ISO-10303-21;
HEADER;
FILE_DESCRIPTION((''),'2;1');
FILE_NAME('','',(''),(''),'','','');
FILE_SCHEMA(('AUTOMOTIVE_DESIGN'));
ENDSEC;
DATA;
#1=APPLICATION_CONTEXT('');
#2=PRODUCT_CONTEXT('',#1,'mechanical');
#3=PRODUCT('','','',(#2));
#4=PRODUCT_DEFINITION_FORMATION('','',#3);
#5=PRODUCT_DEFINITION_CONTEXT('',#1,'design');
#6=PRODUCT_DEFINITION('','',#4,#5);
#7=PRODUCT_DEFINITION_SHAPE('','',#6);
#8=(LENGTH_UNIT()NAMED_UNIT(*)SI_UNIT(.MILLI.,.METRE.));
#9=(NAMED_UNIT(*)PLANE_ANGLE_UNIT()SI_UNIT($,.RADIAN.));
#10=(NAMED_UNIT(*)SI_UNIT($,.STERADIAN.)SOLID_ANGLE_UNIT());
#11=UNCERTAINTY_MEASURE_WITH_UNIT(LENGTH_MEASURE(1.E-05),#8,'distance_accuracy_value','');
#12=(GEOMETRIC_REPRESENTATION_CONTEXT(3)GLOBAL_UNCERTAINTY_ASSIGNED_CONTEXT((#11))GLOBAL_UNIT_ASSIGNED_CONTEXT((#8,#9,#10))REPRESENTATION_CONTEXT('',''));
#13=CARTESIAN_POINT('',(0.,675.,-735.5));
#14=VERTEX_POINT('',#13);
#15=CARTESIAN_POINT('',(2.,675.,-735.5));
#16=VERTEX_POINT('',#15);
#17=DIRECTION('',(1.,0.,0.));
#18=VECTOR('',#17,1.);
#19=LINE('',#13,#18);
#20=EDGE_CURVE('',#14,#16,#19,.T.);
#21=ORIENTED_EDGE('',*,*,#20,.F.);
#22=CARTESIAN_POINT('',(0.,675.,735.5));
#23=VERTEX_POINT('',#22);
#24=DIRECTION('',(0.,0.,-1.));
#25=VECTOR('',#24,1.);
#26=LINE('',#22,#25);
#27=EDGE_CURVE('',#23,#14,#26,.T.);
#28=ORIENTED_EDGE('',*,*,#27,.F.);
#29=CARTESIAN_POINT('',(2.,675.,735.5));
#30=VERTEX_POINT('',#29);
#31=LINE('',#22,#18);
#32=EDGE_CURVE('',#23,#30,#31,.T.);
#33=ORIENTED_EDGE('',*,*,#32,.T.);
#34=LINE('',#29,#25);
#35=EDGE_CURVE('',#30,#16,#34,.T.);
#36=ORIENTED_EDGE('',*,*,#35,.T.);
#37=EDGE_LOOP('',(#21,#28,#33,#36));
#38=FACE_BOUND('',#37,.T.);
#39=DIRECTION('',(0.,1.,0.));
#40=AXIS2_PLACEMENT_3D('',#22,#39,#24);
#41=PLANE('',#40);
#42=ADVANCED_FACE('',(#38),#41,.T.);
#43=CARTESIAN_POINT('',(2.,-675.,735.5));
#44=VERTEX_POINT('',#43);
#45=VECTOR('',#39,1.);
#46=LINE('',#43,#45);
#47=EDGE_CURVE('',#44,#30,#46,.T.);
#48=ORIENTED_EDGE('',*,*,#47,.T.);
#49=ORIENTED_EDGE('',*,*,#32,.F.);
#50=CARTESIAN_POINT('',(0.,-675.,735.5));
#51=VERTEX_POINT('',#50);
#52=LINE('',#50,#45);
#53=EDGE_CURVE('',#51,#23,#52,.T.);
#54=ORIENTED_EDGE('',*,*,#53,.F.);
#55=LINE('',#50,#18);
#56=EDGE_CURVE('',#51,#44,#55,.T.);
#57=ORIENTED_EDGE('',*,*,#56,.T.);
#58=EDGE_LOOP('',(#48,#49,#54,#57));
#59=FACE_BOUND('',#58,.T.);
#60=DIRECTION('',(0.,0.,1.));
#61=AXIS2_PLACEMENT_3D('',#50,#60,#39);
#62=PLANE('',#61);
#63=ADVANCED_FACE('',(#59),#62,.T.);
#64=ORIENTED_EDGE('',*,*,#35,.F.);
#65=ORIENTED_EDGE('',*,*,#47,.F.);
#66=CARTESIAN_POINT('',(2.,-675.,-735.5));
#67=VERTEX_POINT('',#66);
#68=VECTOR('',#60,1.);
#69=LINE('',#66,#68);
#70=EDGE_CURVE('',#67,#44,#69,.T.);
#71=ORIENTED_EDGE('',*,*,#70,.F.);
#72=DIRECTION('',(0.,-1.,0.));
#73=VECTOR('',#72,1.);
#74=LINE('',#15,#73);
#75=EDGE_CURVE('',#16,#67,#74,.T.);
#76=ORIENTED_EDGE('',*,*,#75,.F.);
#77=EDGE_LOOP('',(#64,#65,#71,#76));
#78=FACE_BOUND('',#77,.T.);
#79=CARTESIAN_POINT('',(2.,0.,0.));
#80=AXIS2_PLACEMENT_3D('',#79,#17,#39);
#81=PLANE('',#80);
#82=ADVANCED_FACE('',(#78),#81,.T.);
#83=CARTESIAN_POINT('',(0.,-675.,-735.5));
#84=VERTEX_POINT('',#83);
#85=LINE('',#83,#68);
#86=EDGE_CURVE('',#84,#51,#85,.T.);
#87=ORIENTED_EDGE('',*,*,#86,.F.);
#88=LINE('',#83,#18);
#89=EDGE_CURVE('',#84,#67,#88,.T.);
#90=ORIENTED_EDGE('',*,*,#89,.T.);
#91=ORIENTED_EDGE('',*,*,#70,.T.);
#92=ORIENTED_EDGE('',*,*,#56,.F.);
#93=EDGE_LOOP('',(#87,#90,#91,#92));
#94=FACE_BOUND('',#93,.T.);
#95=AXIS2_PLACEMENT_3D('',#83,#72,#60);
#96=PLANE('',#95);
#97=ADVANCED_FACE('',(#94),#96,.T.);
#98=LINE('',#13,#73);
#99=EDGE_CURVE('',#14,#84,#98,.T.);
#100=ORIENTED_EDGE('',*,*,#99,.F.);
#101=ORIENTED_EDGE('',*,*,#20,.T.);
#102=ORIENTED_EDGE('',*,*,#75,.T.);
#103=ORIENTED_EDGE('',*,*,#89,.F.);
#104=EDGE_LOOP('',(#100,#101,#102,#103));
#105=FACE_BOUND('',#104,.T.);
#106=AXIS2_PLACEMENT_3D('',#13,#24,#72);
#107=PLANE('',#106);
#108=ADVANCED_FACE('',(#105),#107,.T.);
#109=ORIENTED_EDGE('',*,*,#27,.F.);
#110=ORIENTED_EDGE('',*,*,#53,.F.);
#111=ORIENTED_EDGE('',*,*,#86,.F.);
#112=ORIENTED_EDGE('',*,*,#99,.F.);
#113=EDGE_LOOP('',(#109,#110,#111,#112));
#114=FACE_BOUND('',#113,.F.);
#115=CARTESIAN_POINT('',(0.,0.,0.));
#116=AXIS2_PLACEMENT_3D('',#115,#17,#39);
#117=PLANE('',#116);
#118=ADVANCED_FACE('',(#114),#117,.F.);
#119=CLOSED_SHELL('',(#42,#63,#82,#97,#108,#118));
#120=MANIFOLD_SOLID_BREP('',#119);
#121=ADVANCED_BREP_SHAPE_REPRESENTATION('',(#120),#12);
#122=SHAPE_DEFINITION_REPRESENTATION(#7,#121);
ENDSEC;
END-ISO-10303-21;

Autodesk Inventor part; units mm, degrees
ref_plane "YZ Plane" through (0, 0, 0) normal (1, 0, 0) x (0, 1, 0)
ref_plane "XZ Plane" through (0, 0, 0) normal (0, 1, 0) x (-1, 0, 0)
ref_plane "XY Plane" through (0, 0, 0) normal (0, 0, 1) x (1, 0, 0)
sketch "Эскиз1" plane through (0, 0, 0) normal (1, 0, 0) x (0, 1, 0)
  line L0 (-675, 735.5) -> (675, 735.5)
  line L1 (675, 735.5) -> (675, -735.5)
  line L2 (675, -735.5) -> (-675, -735.5)
  line L3 (-675, -735.5) -> (-675, 735.5)
  line L4 (-675, 735.5) -> (675, -735.5) construction
  line L5 (675, 735.5) -> (-675, -735.5) construction
  point P0 (0, 0)
  dimension "d0" = 1350
  dimension "d1" = 1471
extrude "Пластина1" add sketch "Эскиз1" along normal blind 2
equation "\"d2\" = Толщина"
equation "\"Радиус_гибки\" = Толщина"
equation "\"Ширина_просечки\" = Толщина"
equation "\"Глубина_просечки\" = 0.5 * Толщина"
equation "\"Размер_просечки\" = 4 * Толщина"
equation "\"Мин_остаток\" = 2 * Толщина"
equation "\"Радиус_перехода\" = Радиус_гибки"
equation "\"Радиус_Якоби\" = Радиус_гибки"
equation "\"Размер_зазора\" = Толщина"
equation "\"Толщина\" = 2"
